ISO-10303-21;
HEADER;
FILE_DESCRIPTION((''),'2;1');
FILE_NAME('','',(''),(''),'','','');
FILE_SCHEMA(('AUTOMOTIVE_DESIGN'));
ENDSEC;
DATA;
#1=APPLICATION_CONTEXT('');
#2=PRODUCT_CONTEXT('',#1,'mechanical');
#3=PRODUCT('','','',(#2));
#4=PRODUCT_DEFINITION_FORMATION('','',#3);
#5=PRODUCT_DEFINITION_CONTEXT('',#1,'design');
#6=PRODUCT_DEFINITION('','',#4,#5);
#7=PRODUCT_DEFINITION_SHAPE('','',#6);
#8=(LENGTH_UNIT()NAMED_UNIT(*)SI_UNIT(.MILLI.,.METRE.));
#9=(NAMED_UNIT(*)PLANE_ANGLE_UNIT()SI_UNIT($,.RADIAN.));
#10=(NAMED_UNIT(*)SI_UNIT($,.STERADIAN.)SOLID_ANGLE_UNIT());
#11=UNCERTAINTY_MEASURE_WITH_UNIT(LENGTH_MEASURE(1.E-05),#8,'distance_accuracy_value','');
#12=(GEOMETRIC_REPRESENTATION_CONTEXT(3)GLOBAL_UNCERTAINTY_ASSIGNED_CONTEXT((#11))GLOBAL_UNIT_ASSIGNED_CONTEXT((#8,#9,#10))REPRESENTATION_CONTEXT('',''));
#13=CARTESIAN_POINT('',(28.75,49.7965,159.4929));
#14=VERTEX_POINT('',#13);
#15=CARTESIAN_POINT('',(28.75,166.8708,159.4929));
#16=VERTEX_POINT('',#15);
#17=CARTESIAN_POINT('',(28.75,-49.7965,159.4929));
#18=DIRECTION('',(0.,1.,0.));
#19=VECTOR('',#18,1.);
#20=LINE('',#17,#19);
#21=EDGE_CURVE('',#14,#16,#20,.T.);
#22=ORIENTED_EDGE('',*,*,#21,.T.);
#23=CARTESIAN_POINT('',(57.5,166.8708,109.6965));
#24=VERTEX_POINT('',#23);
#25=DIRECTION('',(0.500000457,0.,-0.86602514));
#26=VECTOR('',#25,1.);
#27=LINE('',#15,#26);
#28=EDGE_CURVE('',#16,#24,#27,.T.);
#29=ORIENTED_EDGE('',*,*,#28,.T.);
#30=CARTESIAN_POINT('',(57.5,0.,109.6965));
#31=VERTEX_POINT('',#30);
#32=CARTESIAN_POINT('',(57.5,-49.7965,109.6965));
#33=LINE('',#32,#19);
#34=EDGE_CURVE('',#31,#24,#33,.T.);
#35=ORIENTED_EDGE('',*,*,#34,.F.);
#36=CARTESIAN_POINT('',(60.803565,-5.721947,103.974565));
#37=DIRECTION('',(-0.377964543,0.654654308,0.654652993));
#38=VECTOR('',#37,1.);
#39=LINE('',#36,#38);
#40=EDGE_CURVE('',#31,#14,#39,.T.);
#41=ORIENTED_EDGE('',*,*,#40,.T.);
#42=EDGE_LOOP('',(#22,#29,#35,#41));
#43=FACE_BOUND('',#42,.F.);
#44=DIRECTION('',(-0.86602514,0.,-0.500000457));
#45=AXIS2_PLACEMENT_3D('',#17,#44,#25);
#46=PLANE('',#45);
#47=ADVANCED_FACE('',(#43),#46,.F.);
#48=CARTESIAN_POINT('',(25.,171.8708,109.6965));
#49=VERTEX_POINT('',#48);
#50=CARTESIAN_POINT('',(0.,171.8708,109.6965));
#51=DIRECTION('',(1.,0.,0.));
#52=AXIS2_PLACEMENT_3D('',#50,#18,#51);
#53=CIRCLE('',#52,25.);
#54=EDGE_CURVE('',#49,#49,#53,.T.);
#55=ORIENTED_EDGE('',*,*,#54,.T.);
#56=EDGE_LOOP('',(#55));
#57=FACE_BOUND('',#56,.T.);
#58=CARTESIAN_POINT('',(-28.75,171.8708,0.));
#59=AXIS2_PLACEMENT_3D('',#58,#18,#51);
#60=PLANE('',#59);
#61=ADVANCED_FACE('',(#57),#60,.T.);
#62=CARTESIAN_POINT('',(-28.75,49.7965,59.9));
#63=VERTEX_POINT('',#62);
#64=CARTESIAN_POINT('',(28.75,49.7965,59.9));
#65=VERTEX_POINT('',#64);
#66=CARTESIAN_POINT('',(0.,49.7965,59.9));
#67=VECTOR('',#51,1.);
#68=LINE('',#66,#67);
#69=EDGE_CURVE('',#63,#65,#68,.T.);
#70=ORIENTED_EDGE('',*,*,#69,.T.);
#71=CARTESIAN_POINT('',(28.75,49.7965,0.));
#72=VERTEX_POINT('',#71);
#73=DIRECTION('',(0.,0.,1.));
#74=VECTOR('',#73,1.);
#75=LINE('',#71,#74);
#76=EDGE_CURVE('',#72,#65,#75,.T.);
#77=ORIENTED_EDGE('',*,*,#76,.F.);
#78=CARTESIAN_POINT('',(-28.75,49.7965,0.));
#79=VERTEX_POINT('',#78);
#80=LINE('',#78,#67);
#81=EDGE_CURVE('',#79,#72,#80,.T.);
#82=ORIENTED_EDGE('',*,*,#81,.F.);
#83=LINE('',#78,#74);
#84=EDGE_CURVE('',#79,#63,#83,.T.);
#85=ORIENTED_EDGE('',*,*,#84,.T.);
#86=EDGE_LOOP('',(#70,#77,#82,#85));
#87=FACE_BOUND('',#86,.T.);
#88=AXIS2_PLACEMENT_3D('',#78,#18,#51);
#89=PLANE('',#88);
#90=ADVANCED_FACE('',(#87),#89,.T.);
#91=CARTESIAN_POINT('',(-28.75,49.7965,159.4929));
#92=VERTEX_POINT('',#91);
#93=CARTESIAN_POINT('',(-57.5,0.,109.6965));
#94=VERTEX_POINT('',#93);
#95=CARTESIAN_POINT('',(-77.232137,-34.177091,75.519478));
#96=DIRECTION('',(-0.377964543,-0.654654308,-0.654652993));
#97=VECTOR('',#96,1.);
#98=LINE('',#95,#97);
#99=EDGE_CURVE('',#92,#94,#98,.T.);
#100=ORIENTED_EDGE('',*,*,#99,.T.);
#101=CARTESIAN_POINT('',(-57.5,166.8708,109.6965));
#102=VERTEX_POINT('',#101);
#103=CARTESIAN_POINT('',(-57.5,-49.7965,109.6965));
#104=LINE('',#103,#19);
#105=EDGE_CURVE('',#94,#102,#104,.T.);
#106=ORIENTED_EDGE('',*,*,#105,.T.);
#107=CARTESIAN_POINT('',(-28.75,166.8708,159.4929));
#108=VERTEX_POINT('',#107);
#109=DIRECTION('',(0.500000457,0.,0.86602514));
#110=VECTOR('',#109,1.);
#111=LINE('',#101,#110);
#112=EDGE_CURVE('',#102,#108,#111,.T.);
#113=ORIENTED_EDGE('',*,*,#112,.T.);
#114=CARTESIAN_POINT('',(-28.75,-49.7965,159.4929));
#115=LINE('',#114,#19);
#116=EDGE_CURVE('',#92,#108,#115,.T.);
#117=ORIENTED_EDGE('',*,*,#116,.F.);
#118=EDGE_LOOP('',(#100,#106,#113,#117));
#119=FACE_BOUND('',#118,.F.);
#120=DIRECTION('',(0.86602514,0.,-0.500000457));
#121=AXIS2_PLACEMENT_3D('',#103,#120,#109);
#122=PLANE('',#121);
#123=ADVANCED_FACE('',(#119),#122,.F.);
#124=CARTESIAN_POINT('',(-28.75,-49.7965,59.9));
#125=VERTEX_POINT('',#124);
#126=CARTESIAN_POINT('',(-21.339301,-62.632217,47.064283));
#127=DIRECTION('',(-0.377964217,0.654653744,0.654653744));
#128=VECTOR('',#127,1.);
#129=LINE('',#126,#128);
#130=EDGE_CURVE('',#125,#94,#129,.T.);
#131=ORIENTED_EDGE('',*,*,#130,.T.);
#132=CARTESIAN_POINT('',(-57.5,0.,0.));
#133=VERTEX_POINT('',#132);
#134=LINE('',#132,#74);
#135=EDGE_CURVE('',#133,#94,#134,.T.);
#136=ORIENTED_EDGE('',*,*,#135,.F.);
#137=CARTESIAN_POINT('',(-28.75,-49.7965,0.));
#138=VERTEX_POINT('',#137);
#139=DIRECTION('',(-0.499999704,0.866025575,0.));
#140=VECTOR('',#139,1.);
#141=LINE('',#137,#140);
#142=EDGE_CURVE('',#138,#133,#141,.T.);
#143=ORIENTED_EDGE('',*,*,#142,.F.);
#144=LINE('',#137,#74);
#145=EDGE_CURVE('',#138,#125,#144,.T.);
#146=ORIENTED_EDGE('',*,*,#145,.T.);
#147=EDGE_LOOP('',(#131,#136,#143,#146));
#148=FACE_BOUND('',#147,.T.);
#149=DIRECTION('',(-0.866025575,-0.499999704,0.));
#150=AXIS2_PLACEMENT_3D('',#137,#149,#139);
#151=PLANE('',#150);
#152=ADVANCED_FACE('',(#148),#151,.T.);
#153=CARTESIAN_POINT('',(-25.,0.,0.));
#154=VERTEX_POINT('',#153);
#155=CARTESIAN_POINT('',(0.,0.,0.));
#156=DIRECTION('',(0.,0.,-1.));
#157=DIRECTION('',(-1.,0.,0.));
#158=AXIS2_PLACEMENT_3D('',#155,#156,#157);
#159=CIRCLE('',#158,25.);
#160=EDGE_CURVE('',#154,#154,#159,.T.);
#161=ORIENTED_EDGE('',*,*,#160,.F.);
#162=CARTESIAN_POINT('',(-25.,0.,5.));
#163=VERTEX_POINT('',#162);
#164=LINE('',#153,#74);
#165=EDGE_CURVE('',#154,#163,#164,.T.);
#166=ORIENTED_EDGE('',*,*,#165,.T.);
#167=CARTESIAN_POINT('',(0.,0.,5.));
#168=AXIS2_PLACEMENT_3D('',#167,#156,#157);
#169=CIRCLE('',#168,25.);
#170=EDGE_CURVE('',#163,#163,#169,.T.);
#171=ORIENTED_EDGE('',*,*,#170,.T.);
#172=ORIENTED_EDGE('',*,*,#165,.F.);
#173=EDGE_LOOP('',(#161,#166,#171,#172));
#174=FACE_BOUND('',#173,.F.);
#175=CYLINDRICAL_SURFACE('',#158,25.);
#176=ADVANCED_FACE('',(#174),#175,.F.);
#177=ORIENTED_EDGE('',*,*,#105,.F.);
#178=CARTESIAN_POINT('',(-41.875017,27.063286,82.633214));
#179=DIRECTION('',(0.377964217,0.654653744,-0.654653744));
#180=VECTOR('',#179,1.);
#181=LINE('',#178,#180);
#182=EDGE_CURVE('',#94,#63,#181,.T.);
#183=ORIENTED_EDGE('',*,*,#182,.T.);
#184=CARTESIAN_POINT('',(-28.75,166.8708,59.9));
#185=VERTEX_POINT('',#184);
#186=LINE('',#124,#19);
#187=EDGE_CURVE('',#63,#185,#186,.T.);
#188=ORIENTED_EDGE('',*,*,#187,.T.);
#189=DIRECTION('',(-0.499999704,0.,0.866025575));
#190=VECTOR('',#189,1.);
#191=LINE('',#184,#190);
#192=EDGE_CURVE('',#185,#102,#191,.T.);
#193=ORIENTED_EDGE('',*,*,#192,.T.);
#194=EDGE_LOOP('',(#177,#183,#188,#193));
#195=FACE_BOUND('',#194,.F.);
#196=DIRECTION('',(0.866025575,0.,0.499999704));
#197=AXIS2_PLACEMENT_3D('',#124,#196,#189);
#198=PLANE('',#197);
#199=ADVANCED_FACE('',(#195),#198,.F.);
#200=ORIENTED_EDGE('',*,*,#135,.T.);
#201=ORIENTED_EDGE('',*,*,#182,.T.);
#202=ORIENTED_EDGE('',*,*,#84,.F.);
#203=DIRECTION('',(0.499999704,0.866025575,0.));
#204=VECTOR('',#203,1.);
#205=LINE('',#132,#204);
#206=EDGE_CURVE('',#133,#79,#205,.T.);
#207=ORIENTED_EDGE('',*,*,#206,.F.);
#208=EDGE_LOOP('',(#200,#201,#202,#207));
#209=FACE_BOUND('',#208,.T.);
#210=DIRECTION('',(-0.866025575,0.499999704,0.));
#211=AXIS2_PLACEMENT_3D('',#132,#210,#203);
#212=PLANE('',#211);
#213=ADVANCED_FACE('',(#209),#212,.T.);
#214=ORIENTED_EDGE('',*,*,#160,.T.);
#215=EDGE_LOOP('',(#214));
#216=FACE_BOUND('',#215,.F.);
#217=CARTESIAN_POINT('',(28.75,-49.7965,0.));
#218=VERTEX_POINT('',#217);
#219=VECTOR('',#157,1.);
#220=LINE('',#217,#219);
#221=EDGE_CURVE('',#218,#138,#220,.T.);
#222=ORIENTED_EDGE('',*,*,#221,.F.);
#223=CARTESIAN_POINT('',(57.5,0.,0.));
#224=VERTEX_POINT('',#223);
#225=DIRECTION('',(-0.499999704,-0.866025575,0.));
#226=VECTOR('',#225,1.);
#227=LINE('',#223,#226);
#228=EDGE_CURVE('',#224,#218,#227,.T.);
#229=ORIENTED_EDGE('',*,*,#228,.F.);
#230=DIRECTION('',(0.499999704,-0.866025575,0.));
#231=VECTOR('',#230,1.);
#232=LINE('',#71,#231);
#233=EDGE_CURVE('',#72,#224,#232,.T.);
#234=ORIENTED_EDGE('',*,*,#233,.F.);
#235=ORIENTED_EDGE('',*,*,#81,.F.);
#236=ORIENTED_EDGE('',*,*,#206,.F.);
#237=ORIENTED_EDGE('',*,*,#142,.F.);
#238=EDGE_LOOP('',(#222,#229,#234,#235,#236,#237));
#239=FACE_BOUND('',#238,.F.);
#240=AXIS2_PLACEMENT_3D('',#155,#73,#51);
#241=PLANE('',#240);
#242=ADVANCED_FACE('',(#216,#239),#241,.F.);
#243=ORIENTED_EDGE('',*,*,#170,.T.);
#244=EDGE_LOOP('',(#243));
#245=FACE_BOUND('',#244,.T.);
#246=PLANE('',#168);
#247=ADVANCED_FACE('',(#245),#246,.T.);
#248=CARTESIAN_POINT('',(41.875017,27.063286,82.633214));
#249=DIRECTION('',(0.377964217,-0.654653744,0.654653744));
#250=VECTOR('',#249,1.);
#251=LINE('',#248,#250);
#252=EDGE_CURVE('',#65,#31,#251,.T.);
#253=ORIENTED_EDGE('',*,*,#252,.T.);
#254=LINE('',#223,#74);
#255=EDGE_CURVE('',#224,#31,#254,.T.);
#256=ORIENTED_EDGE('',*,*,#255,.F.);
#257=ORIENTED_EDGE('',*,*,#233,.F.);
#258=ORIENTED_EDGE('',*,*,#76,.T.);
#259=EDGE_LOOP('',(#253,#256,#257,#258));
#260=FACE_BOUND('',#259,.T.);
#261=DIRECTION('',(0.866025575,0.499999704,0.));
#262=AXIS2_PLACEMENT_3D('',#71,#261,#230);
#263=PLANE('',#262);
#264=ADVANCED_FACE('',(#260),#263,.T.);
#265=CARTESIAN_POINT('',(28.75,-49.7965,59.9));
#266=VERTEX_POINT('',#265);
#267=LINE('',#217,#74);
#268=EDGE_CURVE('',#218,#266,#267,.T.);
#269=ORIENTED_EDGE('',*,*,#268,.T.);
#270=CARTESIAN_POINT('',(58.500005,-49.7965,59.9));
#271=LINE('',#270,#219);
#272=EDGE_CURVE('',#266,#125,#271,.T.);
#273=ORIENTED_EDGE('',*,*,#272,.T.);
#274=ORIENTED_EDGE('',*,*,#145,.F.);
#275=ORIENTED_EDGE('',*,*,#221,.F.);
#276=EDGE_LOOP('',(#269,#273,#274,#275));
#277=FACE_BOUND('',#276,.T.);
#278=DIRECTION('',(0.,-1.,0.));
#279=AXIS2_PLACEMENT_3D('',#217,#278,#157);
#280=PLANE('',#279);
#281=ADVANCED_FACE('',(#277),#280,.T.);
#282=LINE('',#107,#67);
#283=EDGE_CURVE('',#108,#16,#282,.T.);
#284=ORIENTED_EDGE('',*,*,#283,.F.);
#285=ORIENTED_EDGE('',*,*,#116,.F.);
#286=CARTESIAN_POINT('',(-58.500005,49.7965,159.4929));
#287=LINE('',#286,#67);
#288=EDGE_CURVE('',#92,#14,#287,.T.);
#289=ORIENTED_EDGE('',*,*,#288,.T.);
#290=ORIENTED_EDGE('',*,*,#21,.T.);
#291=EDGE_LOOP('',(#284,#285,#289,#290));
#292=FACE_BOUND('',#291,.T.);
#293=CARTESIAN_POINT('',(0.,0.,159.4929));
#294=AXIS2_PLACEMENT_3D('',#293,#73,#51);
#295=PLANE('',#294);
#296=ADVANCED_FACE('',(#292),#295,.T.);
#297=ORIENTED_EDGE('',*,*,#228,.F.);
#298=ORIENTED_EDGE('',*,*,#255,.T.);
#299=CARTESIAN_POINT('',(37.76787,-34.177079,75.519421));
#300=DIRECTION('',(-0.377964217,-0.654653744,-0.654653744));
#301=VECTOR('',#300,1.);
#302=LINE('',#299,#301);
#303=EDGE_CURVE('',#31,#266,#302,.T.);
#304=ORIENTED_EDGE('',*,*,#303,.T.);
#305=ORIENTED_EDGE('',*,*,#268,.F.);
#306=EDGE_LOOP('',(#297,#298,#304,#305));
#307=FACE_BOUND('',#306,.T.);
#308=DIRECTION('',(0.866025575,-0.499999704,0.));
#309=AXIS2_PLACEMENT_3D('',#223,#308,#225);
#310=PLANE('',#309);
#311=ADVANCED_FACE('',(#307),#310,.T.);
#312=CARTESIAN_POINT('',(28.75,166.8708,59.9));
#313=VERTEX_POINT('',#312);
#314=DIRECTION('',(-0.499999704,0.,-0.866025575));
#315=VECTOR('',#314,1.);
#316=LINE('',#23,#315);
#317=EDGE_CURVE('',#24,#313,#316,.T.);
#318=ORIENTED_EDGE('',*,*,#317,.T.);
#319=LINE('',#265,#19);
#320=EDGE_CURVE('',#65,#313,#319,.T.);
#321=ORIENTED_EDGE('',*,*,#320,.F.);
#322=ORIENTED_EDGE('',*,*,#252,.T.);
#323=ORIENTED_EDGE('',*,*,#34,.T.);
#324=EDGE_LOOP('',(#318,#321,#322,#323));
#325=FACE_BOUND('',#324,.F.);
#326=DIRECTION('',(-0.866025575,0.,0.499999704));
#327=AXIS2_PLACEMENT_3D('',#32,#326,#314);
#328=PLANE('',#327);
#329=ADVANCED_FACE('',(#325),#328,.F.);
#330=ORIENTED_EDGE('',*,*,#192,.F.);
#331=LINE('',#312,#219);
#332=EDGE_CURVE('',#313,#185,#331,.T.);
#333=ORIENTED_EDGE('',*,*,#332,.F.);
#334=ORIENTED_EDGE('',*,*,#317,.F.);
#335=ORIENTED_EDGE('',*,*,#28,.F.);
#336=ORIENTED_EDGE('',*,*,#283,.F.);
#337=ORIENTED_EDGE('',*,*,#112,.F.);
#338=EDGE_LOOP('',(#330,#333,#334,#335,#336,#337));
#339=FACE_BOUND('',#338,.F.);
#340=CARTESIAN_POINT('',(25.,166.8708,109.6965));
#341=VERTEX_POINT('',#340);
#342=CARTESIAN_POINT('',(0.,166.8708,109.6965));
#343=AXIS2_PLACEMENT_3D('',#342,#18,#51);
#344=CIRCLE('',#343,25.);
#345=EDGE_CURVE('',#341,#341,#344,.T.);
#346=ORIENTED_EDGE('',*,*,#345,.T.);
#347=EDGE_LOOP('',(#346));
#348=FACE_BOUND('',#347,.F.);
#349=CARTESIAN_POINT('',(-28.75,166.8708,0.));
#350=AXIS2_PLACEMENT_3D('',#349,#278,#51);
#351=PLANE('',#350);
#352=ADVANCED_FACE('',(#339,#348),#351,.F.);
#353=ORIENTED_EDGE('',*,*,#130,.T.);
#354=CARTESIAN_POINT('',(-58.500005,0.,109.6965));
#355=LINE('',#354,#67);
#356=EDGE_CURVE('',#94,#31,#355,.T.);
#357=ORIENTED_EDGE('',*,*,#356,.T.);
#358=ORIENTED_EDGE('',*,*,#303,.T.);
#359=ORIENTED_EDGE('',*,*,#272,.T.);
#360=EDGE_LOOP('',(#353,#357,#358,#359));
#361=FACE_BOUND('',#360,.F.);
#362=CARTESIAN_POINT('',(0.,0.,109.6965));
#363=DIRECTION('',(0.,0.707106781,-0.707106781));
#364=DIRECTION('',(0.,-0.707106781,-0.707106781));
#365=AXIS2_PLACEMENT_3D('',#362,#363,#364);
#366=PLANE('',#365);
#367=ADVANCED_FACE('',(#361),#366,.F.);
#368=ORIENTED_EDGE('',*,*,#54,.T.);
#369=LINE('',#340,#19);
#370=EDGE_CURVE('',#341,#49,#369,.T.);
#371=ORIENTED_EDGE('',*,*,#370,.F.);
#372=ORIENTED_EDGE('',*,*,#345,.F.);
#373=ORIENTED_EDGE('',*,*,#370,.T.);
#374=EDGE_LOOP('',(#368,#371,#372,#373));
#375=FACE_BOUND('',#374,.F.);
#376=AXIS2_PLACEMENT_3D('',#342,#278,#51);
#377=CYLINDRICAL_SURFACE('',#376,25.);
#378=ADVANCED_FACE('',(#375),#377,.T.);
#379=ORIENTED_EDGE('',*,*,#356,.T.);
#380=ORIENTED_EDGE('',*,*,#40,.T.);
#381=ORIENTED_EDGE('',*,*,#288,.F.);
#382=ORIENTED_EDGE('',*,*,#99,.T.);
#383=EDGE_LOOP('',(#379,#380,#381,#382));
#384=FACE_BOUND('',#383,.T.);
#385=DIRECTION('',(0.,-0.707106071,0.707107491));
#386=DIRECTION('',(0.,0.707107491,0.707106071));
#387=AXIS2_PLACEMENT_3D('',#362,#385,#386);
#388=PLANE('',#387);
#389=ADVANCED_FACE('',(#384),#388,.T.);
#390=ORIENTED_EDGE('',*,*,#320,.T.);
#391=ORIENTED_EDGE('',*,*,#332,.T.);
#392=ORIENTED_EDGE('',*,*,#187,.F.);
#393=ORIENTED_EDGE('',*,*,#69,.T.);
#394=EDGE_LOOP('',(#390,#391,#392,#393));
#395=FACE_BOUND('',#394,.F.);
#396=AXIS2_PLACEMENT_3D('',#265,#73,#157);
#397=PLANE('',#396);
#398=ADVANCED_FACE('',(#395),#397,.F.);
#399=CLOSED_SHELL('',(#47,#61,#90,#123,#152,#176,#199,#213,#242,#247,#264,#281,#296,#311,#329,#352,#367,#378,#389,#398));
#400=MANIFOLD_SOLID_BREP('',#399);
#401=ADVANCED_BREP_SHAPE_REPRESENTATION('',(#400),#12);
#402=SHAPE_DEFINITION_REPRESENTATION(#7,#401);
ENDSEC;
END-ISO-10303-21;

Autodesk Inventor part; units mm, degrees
ref_plane "YZ Plane" through (0, 0, 0) normal (1, 0, 0) x (0, 1, 0)
ref_plane "XZ Plane" through (0, 0, 0) normal (0, 1, 0) x (-1, 0, 0)
ref_plane "XY Plane" through (0, 0, 0) normal (0, 0, 1) x (1, 0, 0)
sketch "Sketch1" plane through (0, 0, 0) normal (0, 0, 1) x (1, 0, 0)
  line L0 (57.5, 0) -> (28.75, -49.7965)
  line L1 (28.75, -49.7965) -> (-28.75, -49.7965)
  line L2 (-28.75, -49.7965) -> (-57.5, 0)
  line L3 (-57.5, 0) -> (-28.75, 49.7965)
  line L4 (-28.75, 49.7965) -> (28.75, 49.7965)
  line L5 (28.75, 49.7965) -> (57.5, 0)
  point P0 (0, 0)
  point P1 (0, 0)
  dimension "d0" = 115
extrude "Extrusion1" add sketch "Sketch1" along normal blind 159.4929
sketch "Sketch2" plane through (-28.75, -49.7965, 0) normal (0, -1, 0) x (1, 0, 0)
  line L0 (-28.75, 109.6965) -> (0, 159.4929)
  line L1 (0, 159.4929) -> (57.5, 159.4929)
  line L2 (57.5, 159.4929) -> (86.25, 109.6965)
  line L3 (86.25, 109.6965) -> (57.5, 59.9)
  line L4 (57.5, 59.9) -> (0, 59.9)
  line L5 (0, 59.9) -> (-28.75, 109.6965)
  line L6 (0, 159.4929) -> (57.5, 159.4929) projected
  point P0 (28.75, 0)
  point P1 (28.75, 109.6965)
  point P2 (28.75, 159.4929)
  dimension "d3" = 115
extrude "Extrusion2" add sketch "Sketch2" against normal blind 216.6673
sketch "Sketch9" plane through (0, 0, 0) normal (1, 0, 0) x (0, 1, 0)
  line L0 (0, 109.6965) -> (-49.7965, 59.9) projected
  line L1 (-49.7965, 109.6965) -> (0, 109.6965) projected
  line L2 (-49.7965, 59.9) -> (-49.7965, 109.6965) projected
  line L3 (-49.7965, 159.4929) -> (0, 109.6965) projected
  line L4 (-49.7965, 109.6965) -> (-49.7965, 159.4929) projected
  line L5 (-49.7965, 109.6965) -> (0, 109.6965) projected
  line L6 (-49.7965, 159.4929) -> (0, 109.6965) projected
  line L7 (0, 109.6965) -> (0, 159.4929) projected
  line L8 (-49.7965, 159.4929) -> (0, 159.4929) projected
  line L9 (0, 109.6965) -> (49.7965, 159.4929) projected
  line L10 (0, 159.4929) -> (49.7965, 159.4929) projected
  line L11 (0, 109.6965) -> (0, 159.4929) projected
  point P0 (0, 0)
extrude "Extrusion8" cut sketch "Sketch9" along normal through all both and the other way through all
sketch "Sketch10" plane through (0, 0, 0) normal (0, 0, -1) x (-1, 0, 0)
  circle A0 centre (0, 0) radius 25
  dimension "d24" = 50
extrude "Extrusion9" cut sketch "Sketch10" against normal blind 5
sketch "Sketch11" plane through (-28.75, 166.8708, 0) normal (0, 1, 0) x (1, 0, 0)
  line L0 (0, -59.9) -> (-28.75, -109.6965) projected
  line L1 (-28.75, -109.6965) -> (0, -159.4929) projected
  line L2 (0, -159.4929) -> (57.5, -159.4929) projected
  line L3 (57.5, -159.4929) -> (86.25, -109.6965) projected
  line L4 (86.25, -109.6965) -> (57.5, -59.9) projected
  line L5 (57.5, -59.9) -> (0, -59.9) projected
  circle A0 centre (28.75, -109.6965) radius 25
  point P0 (28.75, 0)
  point P1 (28.75, -159.4929)
  dimension "d27" = 50
extrude "Extrusion10" add sketch "Sketch11" along normal blind 5 contours A0
properties part number "link_a0" material "ABS Plastic"
